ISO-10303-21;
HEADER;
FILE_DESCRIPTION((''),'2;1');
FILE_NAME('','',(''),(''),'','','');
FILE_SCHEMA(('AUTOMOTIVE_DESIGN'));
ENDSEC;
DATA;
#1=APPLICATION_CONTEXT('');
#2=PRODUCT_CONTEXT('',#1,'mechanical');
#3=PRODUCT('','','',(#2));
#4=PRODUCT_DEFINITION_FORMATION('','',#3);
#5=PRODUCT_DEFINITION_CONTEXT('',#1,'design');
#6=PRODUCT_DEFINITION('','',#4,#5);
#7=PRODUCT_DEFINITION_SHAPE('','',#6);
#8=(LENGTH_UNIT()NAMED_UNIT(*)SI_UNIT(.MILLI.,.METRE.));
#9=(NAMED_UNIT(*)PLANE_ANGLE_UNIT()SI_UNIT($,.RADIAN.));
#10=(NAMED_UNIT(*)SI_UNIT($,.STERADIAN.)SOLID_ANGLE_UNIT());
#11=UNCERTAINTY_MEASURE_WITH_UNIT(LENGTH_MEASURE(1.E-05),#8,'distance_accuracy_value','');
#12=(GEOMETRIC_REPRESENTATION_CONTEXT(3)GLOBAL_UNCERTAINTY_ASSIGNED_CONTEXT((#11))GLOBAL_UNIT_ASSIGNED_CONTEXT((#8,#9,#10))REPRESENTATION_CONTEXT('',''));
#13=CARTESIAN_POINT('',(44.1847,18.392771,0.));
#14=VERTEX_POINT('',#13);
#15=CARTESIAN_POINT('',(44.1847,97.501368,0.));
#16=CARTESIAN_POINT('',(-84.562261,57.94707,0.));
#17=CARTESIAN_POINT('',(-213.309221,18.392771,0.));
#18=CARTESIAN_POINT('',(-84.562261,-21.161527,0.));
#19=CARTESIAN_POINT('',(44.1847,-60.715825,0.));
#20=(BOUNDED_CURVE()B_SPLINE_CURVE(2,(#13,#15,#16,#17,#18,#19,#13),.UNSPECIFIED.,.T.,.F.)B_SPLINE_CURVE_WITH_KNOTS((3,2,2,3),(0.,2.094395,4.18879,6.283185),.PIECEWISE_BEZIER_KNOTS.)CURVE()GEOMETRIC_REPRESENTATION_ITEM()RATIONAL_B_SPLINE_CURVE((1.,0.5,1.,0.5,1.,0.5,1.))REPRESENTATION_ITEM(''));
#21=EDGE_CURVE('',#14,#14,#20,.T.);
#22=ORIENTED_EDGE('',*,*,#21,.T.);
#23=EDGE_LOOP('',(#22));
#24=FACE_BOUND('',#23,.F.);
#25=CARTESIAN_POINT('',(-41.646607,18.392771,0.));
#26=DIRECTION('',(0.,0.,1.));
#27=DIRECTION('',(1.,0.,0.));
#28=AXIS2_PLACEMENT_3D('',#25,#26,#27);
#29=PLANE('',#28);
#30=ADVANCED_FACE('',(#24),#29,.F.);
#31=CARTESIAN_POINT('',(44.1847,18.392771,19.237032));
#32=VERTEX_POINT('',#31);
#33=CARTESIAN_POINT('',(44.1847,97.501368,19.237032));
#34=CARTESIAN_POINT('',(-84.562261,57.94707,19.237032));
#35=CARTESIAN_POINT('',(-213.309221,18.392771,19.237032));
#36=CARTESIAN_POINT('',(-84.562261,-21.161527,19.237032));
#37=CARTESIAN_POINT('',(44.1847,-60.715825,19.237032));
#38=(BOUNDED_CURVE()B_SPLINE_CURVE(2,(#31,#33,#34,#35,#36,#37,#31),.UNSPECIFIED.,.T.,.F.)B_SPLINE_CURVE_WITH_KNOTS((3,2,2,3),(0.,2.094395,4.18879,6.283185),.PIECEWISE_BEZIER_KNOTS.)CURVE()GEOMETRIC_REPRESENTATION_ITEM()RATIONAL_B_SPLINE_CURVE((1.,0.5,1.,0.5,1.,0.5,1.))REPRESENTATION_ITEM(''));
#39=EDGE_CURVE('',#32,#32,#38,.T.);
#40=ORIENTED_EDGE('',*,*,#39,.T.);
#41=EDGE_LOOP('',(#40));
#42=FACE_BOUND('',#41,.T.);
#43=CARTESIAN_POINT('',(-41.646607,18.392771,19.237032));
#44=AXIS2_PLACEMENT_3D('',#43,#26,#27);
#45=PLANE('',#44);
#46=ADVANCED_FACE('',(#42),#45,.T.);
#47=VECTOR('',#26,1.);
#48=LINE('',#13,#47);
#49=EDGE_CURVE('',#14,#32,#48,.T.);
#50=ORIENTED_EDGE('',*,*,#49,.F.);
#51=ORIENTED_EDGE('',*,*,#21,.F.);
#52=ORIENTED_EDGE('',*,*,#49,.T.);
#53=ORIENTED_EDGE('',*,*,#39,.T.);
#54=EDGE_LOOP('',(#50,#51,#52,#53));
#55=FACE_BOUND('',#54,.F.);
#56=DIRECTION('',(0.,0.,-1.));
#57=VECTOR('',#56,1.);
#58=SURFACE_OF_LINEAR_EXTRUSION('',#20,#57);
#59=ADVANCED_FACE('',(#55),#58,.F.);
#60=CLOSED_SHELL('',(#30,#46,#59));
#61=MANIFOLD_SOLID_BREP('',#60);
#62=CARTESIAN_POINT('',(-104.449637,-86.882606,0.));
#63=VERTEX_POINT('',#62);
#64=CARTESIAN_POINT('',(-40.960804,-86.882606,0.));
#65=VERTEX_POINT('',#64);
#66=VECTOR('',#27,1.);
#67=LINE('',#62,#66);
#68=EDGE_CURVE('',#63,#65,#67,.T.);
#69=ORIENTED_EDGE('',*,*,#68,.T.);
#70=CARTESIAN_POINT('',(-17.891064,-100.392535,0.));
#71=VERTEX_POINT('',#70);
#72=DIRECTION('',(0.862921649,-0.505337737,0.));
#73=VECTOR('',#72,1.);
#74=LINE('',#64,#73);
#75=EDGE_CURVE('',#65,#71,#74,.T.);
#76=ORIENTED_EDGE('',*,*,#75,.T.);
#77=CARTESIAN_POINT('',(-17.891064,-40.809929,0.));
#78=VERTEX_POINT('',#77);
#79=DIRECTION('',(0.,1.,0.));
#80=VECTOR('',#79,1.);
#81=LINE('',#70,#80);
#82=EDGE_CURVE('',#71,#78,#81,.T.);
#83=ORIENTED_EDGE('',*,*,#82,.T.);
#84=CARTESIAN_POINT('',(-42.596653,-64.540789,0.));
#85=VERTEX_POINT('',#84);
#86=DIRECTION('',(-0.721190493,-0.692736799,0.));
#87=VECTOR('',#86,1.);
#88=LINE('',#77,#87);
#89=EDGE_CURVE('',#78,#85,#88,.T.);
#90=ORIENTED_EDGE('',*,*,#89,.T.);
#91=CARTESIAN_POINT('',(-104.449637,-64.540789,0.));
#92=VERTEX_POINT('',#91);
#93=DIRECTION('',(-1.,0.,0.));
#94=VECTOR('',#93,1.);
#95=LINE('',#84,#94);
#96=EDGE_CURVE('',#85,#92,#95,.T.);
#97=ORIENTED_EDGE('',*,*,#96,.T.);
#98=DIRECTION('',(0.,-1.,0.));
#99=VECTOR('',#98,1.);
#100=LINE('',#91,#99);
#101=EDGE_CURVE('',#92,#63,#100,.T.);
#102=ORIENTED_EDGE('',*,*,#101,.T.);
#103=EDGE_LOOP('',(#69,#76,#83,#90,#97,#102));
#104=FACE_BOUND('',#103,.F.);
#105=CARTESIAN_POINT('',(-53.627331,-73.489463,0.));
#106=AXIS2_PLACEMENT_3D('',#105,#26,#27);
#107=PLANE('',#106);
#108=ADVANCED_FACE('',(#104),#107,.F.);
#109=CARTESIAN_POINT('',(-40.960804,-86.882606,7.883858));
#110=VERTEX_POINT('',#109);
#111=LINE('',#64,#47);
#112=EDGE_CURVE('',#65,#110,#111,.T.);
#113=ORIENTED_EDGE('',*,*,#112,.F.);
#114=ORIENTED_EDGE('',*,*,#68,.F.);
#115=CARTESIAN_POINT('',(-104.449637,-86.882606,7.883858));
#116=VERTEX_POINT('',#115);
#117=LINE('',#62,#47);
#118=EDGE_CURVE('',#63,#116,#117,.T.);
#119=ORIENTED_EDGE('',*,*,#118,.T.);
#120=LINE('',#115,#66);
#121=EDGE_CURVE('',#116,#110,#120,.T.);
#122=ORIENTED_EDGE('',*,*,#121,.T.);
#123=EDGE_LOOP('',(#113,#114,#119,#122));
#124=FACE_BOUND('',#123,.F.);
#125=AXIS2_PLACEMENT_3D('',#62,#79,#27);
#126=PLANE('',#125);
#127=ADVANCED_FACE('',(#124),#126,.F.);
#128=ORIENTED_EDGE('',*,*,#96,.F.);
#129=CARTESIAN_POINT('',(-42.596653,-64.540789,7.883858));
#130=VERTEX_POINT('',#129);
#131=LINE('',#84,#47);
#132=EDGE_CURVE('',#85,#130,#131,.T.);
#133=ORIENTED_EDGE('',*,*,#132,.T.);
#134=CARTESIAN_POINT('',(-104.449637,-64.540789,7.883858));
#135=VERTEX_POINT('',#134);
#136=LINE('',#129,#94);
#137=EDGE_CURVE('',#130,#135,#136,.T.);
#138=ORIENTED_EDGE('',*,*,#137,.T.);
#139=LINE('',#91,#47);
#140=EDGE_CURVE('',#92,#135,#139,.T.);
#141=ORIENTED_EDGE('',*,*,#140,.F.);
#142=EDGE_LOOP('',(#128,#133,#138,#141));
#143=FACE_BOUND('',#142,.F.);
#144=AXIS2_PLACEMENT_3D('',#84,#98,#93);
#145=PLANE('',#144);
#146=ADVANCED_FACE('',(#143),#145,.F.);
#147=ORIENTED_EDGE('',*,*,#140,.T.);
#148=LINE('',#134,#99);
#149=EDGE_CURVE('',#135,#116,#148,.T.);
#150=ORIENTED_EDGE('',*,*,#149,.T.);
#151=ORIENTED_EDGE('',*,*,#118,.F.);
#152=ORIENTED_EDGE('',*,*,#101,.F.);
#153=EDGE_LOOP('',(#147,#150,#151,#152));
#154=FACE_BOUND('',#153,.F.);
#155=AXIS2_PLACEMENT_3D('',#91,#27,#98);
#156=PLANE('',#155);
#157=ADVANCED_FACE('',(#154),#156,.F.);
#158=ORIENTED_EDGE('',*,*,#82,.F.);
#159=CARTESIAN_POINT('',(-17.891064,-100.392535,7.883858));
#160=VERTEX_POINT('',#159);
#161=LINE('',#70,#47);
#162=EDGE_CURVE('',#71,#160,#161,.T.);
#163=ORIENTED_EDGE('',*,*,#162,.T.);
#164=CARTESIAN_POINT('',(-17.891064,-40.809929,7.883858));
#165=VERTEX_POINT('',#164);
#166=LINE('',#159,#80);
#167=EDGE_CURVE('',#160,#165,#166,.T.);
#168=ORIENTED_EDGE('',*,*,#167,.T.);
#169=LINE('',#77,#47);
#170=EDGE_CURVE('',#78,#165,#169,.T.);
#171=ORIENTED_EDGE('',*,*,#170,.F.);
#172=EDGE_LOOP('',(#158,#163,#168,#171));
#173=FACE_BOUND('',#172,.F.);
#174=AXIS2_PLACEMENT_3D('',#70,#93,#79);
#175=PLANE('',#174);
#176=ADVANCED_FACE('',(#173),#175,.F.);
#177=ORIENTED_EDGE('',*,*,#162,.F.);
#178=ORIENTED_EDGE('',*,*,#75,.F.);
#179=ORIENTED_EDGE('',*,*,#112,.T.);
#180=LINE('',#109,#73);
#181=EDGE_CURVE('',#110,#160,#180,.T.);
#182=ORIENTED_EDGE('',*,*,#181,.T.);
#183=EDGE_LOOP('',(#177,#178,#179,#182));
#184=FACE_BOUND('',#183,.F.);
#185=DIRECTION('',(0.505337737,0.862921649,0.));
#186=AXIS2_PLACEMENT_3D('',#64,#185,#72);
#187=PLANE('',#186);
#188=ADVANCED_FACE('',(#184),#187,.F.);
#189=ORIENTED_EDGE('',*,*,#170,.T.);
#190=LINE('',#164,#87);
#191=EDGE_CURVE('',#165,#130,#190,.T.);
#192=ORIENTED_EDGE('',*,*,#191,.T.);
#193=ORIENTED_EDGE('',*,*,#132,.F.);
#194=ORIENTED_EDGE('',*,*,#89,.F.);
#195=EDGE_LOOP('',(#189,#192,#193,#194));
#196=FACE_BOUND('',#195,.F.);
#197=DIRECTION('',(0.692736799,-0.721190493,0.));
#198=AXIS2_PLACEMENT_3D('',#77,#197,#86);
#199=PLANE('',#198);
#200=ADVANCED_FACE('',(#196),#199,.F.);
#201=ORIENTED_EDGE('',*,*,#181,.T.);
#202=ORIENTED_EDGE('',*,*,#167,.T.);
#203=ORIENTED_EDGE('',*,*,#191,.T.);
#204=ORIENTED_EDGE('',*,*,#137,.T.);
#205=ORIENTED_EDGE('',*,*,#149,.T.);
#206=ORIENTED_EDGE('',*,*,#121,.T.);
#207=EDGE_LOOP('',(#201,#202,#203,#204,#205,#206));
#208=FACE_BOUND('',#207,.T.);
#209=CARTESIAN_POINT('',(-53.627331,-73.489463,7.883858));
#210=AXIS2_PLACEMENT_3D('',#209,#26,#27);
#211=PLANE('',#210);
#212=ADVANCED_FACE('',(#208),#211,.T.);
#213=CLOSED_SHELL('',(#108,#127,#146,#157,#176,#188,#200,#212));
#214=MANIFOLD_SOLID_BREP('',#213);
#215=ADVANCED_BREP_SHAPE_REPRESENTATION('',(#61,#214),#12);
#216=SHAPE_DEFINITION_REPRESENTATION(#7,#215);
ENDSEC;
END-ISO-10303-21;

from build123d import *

# Parameters (mm, degrees)
F1_DEPTH = 19.237032
F3_DEPTH = 7.883858


with BuildPart() as f1:
    # F0 (on Top) → F1 (new body)
    with BuildSketch(Plane.XY):
        with BuildLine():
            add(Edge.make_bspline(
                [(44.1847, 18.392771), (44.1847, 97.501368), (-84.562261, 57.94707), (-213.309221, 18.392771), (-84.562261, -21.161527), (44.1847, -60.715825), (44.1847, 18.392771)],
                knots=[0, 0, 0, 2.094395, 2.094395, 4.18879, 4.18879, 6.283185, 6.283185, 6.283185], degree=2, weights=[1, 0.5, 1, 0.5, 1, 0.5, 1]))
        make_face()
    extrude(amount=F1_DEPTH)


with BuildPart() as f3:
    # F2 (on Top) → F3 (new body)
    with BuildSketch(Plane.XY):
        Polygon((-42.596653, -64.540789), (-104.449637, -64.540789), (-104.449637, -86.882606), (-40.960804, -86.882606), (-17.891064, -100.392535), (-17.891064, -40.809929), align=None)
    extrude(amount=F3_DEPTH)


solid = Compound([f1.part, f3.part])
